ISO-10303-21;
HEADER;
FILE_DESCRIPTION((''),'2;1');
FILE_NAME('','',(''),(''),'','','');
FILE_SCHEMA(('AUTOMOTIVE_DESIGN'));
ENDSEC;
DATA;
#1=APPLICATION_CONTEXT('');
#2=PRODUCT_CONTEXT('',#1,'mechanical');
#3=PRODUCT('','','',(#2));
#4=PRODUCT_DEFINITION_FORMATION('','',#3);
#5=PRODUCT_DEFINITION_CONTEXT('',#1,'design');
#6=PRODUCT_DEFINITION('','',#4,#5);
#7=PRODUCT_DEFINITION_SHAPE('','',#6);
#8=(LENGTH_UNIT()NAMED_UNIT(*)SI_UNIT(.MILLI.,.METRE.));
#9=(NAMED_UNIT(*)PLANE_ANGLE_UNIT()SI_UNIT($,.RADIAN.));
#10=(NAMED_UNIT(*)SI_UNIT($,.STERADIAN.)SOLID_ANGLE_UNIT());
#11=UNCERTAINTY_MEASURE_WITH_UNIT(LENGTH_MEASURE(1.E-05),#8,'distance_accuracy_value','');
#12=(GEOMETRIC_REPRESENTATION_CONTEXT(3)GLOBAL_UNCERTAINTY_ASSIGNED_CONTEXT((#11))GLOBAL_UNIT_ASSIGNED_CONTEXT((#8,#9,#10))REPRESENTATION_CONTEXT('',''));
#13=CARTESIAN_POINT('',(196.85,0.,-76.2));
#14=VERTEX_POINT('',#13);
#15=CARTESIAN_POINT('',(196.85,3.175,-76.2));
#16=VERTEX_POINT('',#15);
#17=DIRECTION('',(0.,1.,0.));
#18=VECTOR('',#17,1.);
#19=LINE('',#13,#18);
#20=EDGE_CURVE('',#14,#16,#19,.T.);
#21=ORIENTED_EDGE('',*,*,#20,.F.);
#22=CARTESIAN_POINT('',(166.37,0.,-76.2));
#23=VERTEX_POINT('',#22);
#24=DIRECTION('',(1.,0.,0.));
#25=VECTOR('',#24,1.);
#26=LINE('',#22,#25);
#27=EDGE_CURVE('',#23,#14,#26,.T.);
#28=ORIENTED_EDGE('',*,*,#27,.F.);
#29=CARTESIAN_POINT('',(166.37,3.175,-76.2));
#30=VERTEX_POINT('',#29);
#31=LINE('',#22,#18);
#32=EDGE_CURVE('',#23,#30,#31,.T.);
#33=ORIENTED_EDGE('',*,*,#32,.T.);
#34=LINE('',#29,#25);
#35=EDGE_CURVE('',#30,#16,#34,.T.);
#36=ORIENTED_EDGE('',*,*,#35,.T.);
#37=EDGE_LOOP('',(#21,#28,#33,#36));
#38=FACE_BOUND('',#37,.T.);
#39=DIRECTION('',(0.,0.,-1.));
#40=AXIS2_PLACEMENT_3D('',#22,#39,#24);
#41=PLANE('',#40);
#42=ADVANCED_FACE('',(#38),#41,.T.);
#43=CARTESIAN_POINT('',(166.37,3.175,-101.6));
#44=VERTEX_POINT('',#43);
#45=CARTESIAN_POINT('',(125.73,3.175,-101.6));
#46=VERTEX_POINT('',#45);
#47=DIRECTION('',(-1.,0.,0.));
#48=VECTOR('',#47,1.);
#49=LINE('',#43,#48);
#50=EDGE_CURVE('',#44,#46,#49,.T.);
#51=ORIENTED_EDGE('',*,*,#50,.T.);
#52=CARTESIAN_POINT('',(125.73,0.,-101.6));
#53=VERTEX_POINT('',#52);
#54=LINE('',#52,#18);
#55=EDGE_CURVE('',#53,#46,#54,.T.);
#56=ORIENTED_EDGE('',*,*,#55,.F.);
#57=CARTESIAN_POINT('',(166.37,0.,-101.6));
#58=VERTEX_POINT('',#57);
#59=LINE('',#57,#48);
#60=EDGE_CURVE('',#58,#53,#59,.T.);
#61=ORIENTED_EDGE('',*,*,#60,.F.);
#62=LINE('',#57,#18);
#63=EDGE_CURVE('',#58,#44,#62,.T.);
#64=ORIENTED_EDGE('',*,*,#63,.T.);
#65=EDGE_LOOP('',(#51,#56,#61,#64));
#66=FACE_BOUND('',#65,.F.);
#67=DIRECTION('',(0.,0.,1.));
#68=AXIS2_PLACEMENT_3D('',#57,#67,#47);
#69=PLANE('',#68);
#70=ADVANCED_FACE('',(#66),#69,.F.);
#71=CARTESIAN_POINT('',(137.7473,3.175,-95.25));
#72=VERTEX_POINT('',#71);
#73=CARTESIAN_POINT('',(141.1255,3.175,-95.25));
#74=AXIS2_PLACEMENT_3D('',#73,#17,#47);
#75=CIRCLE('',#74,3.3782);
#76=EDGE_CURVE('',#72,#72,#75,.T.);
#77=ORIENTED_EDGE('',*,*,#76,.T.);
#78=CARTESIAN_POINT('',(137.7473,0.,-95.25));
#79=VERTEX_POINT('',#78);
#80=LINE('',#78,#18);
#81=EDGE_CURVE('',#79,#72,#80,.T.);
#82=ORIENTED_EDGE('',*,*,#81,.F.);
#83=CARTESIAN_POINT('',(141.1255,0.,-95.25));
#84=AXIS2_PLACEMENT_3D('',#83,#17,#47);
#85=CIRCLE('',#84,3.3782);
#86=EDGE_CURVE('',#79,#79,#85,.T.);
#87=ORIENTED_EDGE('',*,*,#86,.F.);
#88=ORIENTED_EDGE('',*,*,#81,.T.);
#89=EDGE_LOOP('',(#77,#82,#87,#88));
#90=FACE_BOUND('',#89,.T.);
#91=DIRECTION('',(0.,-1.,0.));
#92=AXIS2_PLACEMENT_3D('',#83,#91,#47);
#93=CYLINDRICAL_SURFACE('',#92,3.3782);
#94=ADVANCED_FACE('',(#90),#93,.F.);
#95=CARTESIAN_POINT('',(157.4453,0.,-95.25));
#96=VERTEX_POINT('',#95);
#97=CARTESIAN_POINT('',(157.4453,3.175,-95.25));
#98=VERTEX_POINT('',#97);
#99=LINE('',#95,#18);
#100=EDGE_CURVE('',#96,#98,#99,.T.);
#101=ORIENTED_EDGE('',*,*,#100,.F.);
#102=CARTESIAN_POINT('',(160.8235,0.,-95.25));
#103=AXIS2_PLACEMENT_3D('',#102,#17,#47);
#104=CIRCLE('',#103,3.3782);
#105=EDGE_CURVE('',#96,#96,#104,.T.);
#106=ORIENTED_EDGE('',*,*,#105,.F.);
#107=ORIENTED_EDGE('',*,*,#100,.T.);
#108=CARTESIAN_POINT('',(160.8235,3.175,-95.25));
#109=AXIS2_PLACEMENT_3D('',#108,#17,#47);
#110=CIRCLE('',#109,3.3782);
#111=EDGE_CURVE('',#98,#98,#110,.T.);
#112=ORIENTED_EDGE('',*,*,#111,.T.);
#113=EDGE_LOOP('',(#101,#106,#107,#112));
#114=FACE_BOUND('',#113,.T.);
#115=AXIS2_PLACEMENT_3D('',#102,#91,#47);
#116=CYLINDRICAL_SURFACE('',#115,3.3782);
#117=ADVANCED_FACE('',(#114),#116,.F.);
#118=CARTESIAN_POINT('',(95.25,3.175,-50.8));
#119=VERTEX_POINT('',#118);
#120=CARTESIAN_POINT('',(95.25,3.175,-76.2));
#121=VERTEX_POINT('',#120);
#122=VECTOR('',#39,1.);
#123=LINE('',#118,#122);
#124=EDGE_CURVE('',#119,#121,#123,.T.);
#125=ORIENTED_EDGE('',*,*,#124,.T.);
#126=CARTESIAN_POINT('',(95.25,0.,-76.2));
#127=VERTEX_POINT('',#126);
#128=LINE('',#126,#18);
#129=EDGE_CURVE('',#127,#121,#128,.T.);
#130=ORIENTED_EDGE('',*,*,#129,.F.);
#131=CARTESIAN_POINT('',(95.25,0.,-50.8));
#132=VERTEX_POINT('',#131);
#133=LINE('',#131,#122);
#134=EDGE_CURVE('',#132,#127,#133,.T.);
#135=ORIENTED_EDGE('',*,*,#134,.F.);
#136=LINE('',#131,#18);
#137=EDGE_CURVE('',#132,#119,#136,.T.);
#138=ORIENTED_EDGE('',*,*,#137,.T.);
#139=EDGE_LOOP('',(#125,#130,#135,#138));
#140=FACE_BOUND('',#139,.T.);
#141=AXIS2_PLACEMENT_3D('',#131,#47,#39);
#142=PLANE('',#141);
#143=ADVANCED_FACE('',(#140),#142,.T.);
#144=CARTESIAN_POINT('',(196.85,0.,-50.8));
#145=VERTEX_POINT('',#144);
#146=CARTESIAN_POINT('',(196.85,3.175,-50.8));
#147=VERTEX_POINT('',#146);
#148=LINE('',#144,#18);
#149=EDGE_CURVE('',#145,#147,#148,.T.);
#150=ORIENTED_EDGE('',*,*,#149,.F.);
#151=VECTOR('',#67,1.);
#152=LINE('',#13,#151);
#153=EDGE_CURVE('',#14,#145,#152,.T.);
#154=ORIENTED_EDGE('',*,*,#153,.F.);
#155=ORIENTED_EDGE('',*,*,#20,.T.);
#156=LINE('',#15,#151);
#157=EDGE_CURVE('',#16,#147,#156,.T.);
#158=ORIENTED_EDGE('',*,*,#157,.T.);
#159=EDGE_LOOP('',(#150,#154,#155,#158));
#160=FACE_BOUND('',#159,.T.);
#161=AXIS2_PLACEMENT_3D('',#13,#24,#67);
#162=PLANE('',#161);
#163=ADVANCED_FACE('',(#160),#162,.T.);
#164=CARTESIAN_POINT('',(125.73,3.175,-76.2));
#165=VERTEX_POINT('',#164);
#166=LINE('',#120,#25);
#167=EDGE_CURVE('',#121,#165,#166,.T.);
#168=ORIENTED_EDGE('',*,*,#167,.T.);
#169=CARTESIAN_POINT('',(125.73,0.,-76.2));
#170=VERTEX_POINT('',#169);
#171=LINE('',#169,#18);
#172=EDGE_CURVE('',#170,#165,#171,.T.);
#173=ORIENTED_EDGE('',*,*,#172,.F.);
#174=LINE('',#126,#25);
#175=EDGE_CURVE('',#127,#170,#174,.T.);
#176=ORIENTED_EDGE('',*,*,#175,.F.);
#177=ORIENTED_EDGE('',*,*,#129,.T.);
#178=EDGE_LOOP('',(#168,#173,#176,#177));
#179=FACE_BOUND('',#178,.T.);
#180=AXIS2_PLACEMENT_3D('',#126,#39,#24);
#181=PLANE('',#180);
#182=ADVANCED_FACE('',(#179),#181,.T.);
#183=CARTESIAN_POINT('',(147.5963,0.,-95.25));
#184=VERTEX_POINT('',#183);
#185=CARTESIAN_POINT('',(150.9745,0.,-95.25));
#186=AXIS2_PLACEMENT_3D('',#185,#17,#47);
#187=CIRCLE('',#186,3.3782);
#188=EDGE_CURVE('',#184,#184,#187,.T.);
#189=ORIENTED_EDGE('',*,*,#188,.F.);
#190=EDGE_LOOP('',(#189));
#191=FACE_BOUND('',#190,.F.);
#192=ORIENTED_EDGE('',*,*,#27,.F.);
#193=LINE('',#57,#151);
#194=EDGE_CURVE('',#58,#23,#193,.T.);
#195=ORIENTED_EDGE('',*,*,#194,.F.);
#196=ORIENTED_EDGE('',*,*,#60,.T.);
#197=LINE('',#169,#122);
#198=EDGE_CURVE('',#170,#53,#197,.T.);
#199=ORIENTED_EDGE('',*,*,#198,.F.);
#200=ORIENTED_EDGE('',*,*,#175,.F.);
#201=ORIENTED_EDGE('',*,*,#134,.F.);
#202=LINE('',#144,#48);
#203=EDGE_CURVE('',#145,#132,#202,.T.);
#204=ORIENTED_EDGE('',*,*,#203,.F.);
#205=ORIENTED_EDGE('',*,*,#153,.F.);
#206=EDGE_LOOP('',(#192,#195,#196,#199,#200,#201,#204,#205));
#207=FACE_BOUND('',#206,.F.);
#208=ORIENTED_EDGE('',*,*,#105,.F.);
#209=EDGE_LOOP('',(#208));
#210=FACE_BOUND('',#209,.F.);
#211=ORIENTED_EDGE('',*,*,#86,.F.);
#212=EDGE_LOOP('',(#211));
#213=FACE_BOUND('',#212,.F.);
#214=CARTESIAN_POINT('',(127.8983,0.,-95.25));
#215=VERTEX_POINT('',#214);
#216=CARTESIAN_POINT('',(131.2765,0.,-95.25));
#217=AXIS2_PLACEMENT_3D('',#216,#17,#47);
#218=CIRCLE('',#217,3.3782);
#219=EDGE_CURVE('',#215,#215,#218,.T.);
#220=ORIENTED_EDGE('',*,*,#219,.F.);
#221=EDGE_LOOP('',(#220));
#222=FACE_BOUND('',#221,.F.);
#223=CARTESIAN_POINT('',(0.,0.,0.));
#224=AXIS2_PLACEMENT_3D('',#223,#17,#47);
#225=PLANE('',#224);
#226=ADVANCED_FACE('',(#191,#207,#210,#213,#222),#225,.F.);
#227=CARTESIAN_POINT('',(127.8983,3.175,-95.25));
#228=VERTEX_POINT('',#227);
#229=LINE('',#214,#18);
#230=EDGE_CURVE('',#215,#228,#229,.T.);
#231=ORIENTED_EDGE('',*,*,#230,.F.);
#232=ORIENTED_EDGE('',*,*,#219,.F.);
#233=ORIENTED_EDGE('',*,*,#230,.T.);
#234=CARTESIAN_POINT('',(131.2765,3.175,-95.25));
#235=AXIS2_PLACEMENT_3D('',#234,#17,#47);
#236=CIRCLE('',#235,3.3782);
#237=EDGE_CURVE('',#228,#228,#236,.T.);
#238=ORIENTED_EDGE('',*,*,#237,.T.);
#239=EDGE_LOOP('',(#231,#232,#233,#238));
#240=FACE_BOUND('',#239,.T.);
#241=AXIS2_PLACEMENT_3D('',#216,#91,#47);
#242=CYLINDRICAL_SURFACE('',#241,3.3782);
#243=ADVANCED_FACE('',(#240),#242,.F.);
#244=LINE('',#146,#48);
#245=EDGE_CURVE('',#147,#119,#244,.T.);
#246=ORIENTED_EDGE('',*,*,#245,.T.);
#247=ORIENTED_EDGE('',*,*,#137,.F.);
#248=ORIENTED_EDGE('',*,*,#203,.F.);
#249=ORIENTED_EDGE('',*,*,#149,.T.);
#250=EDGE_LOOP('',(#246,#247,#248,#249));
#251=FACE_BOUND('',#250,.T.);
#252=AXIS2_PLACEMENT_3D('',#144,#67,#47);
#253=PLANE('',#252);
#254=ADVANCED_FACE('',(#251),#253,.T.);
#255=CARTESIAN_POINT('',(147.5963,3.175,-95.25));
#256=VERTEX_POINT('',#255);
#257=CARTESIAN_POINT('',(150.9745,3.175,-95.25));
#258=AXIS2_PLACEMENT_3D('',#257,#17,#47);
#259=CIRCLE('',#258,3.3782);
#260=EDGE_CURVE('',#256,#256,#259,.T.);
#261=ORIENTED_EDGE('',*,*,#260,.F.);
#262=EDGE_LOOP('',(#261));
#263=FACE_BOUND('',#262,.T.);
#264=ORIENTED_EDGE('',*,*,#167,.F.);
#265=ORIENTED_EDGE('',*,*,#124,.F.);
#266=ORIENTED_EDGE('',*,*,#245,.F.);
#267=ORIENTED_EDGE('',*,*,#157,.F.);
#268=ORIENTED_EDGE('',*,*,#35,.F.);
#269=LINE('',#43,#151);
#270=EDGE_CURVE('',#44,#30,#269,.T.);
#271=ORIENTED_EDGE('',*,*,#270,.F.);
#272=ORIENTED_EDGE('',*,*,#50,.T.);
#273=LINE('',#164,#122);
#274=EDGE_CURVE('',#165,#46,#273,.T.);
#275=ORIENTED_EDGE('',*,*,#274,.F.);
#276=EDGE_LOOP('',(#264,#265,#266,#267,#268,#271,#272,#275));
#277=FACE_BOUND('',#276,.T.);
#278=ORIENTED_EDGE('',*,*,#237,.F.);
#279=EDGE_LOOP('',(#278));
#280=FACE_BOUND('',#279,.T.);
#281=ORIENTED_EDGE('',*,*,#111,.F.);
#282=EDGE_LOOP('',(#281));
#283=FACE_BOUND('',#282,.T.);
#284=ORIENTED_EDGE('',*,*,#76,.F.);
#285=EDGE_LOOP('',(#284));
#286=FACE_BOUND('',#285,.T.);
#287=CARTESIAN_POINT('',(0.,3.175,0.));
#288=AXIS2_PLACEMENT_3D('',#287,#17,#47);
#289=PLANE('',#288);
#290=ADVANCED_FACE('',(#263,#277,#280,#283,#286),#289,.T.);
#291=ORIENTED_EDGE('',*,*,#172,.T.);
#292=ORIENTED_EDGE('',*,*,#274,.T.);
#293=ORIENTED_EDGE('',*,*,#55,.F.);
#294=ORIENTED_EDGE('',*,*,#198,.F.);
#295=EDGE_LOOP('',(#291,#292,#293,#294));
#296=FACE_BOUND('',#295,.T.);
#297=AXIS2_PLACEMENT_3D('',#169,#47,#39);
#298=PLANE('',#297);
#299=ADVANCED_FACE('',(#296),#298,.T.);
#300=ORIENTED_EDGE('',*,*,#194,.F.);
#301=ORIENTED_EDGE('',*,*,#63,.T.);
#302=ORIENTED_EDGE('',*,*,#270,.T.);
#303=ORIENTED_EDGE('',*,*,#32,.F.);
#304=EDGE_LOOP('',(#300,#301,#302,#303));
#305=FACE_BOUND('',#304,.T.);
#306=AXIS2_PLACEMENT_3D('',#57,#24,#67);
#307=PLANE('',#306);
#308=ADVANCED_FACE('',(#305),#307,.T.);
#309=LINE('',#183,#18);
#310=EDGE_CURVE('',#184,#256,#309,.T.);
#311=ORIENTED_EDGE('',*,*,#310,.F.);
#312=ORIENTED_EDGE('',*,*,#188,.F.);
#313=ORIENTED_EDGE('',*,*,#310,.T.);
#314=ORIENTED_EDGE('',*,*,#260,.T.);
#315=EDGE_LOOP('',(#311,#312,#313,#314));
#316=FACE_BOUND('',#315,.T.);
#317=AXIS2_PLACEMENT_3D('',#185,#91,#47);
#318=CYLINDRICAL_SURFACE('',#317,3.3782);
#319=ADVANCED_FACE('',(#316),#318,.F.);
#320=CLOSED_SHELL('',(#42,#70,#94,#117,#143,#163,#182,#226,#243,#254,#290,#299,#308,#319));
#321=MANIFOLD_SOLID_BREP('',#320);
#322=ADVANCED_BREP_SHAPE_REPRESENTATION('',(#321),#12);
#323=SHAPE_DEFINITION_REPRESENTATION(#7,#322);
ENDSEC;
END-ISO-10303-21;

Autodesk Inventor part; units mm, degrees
ref_plane "YZ Plane" through (0, 0, 0) normal (1, 0, 0) x (0, 1, 0)
ref_plane "XZ Plane" through (0, 0, 0) normal (0, 1, 0) x (-1, 0, 0)
ref_plane "XY Plane" through (0, 0, 0) normal (0, 0, 1) x (1, 0, 0)
sketch "Sketch1" plane through (0, 0, 0) normal (0, 1, 0) x (-1, 0, 0)
  circle A0 centre (-131.2765, -95.25) radius 3.3782
  circle A1 centre (-141.1255, -95.25) radius 3.3782
  circle A2 centre (-150.9745, -95.25) radius 3.3782
  circle A3 centre (-160.8235, -95.25) radius 3.3782
  line L0 (-146.05, -156.4252) -> (-146.05, 317.5689) construction
  line L1 (-125.73, -156.4252) -> (-125.73, 317.5689) construction
  line L2 (-166.37, -156.4252) -> (-166.37, 317.5689) construction
  line L3 (-166.37, -101.6) -> (-166.37, -76.2)
  line L4 (-166.37, -76.2) -> (-196.85, -76.2)
  line L5 (-196.85, -76.2) -> (-196.85, -50.8)
  line L6 (-196.85, -50.8) -> (-95.25, -50.8)
  line L7 (-95.25, -50.8) -> (-95.25, -76.2)
  line L8 (-95.25, -76.2) -> (-125.73, -76.2)
  line L9 (-125.73, -76.2) -> (-125.73, -101.6)
  line L10 (-166.37, -101.6) -> (-125.73, -101.6)
  dimension "d4" = 20.32
  dimension "d5" = 20.32
  dimension "d6" = 25.4
  dimension "d7" = 30.48
  dimension "d8" = 25.4
  dimension "d9" = 101.6
  dimension "d10" = 30.48
extrude "Extrusion1" add sketch "Sketch1" along normal blind 3.175
properties part number "Mount Motor"
